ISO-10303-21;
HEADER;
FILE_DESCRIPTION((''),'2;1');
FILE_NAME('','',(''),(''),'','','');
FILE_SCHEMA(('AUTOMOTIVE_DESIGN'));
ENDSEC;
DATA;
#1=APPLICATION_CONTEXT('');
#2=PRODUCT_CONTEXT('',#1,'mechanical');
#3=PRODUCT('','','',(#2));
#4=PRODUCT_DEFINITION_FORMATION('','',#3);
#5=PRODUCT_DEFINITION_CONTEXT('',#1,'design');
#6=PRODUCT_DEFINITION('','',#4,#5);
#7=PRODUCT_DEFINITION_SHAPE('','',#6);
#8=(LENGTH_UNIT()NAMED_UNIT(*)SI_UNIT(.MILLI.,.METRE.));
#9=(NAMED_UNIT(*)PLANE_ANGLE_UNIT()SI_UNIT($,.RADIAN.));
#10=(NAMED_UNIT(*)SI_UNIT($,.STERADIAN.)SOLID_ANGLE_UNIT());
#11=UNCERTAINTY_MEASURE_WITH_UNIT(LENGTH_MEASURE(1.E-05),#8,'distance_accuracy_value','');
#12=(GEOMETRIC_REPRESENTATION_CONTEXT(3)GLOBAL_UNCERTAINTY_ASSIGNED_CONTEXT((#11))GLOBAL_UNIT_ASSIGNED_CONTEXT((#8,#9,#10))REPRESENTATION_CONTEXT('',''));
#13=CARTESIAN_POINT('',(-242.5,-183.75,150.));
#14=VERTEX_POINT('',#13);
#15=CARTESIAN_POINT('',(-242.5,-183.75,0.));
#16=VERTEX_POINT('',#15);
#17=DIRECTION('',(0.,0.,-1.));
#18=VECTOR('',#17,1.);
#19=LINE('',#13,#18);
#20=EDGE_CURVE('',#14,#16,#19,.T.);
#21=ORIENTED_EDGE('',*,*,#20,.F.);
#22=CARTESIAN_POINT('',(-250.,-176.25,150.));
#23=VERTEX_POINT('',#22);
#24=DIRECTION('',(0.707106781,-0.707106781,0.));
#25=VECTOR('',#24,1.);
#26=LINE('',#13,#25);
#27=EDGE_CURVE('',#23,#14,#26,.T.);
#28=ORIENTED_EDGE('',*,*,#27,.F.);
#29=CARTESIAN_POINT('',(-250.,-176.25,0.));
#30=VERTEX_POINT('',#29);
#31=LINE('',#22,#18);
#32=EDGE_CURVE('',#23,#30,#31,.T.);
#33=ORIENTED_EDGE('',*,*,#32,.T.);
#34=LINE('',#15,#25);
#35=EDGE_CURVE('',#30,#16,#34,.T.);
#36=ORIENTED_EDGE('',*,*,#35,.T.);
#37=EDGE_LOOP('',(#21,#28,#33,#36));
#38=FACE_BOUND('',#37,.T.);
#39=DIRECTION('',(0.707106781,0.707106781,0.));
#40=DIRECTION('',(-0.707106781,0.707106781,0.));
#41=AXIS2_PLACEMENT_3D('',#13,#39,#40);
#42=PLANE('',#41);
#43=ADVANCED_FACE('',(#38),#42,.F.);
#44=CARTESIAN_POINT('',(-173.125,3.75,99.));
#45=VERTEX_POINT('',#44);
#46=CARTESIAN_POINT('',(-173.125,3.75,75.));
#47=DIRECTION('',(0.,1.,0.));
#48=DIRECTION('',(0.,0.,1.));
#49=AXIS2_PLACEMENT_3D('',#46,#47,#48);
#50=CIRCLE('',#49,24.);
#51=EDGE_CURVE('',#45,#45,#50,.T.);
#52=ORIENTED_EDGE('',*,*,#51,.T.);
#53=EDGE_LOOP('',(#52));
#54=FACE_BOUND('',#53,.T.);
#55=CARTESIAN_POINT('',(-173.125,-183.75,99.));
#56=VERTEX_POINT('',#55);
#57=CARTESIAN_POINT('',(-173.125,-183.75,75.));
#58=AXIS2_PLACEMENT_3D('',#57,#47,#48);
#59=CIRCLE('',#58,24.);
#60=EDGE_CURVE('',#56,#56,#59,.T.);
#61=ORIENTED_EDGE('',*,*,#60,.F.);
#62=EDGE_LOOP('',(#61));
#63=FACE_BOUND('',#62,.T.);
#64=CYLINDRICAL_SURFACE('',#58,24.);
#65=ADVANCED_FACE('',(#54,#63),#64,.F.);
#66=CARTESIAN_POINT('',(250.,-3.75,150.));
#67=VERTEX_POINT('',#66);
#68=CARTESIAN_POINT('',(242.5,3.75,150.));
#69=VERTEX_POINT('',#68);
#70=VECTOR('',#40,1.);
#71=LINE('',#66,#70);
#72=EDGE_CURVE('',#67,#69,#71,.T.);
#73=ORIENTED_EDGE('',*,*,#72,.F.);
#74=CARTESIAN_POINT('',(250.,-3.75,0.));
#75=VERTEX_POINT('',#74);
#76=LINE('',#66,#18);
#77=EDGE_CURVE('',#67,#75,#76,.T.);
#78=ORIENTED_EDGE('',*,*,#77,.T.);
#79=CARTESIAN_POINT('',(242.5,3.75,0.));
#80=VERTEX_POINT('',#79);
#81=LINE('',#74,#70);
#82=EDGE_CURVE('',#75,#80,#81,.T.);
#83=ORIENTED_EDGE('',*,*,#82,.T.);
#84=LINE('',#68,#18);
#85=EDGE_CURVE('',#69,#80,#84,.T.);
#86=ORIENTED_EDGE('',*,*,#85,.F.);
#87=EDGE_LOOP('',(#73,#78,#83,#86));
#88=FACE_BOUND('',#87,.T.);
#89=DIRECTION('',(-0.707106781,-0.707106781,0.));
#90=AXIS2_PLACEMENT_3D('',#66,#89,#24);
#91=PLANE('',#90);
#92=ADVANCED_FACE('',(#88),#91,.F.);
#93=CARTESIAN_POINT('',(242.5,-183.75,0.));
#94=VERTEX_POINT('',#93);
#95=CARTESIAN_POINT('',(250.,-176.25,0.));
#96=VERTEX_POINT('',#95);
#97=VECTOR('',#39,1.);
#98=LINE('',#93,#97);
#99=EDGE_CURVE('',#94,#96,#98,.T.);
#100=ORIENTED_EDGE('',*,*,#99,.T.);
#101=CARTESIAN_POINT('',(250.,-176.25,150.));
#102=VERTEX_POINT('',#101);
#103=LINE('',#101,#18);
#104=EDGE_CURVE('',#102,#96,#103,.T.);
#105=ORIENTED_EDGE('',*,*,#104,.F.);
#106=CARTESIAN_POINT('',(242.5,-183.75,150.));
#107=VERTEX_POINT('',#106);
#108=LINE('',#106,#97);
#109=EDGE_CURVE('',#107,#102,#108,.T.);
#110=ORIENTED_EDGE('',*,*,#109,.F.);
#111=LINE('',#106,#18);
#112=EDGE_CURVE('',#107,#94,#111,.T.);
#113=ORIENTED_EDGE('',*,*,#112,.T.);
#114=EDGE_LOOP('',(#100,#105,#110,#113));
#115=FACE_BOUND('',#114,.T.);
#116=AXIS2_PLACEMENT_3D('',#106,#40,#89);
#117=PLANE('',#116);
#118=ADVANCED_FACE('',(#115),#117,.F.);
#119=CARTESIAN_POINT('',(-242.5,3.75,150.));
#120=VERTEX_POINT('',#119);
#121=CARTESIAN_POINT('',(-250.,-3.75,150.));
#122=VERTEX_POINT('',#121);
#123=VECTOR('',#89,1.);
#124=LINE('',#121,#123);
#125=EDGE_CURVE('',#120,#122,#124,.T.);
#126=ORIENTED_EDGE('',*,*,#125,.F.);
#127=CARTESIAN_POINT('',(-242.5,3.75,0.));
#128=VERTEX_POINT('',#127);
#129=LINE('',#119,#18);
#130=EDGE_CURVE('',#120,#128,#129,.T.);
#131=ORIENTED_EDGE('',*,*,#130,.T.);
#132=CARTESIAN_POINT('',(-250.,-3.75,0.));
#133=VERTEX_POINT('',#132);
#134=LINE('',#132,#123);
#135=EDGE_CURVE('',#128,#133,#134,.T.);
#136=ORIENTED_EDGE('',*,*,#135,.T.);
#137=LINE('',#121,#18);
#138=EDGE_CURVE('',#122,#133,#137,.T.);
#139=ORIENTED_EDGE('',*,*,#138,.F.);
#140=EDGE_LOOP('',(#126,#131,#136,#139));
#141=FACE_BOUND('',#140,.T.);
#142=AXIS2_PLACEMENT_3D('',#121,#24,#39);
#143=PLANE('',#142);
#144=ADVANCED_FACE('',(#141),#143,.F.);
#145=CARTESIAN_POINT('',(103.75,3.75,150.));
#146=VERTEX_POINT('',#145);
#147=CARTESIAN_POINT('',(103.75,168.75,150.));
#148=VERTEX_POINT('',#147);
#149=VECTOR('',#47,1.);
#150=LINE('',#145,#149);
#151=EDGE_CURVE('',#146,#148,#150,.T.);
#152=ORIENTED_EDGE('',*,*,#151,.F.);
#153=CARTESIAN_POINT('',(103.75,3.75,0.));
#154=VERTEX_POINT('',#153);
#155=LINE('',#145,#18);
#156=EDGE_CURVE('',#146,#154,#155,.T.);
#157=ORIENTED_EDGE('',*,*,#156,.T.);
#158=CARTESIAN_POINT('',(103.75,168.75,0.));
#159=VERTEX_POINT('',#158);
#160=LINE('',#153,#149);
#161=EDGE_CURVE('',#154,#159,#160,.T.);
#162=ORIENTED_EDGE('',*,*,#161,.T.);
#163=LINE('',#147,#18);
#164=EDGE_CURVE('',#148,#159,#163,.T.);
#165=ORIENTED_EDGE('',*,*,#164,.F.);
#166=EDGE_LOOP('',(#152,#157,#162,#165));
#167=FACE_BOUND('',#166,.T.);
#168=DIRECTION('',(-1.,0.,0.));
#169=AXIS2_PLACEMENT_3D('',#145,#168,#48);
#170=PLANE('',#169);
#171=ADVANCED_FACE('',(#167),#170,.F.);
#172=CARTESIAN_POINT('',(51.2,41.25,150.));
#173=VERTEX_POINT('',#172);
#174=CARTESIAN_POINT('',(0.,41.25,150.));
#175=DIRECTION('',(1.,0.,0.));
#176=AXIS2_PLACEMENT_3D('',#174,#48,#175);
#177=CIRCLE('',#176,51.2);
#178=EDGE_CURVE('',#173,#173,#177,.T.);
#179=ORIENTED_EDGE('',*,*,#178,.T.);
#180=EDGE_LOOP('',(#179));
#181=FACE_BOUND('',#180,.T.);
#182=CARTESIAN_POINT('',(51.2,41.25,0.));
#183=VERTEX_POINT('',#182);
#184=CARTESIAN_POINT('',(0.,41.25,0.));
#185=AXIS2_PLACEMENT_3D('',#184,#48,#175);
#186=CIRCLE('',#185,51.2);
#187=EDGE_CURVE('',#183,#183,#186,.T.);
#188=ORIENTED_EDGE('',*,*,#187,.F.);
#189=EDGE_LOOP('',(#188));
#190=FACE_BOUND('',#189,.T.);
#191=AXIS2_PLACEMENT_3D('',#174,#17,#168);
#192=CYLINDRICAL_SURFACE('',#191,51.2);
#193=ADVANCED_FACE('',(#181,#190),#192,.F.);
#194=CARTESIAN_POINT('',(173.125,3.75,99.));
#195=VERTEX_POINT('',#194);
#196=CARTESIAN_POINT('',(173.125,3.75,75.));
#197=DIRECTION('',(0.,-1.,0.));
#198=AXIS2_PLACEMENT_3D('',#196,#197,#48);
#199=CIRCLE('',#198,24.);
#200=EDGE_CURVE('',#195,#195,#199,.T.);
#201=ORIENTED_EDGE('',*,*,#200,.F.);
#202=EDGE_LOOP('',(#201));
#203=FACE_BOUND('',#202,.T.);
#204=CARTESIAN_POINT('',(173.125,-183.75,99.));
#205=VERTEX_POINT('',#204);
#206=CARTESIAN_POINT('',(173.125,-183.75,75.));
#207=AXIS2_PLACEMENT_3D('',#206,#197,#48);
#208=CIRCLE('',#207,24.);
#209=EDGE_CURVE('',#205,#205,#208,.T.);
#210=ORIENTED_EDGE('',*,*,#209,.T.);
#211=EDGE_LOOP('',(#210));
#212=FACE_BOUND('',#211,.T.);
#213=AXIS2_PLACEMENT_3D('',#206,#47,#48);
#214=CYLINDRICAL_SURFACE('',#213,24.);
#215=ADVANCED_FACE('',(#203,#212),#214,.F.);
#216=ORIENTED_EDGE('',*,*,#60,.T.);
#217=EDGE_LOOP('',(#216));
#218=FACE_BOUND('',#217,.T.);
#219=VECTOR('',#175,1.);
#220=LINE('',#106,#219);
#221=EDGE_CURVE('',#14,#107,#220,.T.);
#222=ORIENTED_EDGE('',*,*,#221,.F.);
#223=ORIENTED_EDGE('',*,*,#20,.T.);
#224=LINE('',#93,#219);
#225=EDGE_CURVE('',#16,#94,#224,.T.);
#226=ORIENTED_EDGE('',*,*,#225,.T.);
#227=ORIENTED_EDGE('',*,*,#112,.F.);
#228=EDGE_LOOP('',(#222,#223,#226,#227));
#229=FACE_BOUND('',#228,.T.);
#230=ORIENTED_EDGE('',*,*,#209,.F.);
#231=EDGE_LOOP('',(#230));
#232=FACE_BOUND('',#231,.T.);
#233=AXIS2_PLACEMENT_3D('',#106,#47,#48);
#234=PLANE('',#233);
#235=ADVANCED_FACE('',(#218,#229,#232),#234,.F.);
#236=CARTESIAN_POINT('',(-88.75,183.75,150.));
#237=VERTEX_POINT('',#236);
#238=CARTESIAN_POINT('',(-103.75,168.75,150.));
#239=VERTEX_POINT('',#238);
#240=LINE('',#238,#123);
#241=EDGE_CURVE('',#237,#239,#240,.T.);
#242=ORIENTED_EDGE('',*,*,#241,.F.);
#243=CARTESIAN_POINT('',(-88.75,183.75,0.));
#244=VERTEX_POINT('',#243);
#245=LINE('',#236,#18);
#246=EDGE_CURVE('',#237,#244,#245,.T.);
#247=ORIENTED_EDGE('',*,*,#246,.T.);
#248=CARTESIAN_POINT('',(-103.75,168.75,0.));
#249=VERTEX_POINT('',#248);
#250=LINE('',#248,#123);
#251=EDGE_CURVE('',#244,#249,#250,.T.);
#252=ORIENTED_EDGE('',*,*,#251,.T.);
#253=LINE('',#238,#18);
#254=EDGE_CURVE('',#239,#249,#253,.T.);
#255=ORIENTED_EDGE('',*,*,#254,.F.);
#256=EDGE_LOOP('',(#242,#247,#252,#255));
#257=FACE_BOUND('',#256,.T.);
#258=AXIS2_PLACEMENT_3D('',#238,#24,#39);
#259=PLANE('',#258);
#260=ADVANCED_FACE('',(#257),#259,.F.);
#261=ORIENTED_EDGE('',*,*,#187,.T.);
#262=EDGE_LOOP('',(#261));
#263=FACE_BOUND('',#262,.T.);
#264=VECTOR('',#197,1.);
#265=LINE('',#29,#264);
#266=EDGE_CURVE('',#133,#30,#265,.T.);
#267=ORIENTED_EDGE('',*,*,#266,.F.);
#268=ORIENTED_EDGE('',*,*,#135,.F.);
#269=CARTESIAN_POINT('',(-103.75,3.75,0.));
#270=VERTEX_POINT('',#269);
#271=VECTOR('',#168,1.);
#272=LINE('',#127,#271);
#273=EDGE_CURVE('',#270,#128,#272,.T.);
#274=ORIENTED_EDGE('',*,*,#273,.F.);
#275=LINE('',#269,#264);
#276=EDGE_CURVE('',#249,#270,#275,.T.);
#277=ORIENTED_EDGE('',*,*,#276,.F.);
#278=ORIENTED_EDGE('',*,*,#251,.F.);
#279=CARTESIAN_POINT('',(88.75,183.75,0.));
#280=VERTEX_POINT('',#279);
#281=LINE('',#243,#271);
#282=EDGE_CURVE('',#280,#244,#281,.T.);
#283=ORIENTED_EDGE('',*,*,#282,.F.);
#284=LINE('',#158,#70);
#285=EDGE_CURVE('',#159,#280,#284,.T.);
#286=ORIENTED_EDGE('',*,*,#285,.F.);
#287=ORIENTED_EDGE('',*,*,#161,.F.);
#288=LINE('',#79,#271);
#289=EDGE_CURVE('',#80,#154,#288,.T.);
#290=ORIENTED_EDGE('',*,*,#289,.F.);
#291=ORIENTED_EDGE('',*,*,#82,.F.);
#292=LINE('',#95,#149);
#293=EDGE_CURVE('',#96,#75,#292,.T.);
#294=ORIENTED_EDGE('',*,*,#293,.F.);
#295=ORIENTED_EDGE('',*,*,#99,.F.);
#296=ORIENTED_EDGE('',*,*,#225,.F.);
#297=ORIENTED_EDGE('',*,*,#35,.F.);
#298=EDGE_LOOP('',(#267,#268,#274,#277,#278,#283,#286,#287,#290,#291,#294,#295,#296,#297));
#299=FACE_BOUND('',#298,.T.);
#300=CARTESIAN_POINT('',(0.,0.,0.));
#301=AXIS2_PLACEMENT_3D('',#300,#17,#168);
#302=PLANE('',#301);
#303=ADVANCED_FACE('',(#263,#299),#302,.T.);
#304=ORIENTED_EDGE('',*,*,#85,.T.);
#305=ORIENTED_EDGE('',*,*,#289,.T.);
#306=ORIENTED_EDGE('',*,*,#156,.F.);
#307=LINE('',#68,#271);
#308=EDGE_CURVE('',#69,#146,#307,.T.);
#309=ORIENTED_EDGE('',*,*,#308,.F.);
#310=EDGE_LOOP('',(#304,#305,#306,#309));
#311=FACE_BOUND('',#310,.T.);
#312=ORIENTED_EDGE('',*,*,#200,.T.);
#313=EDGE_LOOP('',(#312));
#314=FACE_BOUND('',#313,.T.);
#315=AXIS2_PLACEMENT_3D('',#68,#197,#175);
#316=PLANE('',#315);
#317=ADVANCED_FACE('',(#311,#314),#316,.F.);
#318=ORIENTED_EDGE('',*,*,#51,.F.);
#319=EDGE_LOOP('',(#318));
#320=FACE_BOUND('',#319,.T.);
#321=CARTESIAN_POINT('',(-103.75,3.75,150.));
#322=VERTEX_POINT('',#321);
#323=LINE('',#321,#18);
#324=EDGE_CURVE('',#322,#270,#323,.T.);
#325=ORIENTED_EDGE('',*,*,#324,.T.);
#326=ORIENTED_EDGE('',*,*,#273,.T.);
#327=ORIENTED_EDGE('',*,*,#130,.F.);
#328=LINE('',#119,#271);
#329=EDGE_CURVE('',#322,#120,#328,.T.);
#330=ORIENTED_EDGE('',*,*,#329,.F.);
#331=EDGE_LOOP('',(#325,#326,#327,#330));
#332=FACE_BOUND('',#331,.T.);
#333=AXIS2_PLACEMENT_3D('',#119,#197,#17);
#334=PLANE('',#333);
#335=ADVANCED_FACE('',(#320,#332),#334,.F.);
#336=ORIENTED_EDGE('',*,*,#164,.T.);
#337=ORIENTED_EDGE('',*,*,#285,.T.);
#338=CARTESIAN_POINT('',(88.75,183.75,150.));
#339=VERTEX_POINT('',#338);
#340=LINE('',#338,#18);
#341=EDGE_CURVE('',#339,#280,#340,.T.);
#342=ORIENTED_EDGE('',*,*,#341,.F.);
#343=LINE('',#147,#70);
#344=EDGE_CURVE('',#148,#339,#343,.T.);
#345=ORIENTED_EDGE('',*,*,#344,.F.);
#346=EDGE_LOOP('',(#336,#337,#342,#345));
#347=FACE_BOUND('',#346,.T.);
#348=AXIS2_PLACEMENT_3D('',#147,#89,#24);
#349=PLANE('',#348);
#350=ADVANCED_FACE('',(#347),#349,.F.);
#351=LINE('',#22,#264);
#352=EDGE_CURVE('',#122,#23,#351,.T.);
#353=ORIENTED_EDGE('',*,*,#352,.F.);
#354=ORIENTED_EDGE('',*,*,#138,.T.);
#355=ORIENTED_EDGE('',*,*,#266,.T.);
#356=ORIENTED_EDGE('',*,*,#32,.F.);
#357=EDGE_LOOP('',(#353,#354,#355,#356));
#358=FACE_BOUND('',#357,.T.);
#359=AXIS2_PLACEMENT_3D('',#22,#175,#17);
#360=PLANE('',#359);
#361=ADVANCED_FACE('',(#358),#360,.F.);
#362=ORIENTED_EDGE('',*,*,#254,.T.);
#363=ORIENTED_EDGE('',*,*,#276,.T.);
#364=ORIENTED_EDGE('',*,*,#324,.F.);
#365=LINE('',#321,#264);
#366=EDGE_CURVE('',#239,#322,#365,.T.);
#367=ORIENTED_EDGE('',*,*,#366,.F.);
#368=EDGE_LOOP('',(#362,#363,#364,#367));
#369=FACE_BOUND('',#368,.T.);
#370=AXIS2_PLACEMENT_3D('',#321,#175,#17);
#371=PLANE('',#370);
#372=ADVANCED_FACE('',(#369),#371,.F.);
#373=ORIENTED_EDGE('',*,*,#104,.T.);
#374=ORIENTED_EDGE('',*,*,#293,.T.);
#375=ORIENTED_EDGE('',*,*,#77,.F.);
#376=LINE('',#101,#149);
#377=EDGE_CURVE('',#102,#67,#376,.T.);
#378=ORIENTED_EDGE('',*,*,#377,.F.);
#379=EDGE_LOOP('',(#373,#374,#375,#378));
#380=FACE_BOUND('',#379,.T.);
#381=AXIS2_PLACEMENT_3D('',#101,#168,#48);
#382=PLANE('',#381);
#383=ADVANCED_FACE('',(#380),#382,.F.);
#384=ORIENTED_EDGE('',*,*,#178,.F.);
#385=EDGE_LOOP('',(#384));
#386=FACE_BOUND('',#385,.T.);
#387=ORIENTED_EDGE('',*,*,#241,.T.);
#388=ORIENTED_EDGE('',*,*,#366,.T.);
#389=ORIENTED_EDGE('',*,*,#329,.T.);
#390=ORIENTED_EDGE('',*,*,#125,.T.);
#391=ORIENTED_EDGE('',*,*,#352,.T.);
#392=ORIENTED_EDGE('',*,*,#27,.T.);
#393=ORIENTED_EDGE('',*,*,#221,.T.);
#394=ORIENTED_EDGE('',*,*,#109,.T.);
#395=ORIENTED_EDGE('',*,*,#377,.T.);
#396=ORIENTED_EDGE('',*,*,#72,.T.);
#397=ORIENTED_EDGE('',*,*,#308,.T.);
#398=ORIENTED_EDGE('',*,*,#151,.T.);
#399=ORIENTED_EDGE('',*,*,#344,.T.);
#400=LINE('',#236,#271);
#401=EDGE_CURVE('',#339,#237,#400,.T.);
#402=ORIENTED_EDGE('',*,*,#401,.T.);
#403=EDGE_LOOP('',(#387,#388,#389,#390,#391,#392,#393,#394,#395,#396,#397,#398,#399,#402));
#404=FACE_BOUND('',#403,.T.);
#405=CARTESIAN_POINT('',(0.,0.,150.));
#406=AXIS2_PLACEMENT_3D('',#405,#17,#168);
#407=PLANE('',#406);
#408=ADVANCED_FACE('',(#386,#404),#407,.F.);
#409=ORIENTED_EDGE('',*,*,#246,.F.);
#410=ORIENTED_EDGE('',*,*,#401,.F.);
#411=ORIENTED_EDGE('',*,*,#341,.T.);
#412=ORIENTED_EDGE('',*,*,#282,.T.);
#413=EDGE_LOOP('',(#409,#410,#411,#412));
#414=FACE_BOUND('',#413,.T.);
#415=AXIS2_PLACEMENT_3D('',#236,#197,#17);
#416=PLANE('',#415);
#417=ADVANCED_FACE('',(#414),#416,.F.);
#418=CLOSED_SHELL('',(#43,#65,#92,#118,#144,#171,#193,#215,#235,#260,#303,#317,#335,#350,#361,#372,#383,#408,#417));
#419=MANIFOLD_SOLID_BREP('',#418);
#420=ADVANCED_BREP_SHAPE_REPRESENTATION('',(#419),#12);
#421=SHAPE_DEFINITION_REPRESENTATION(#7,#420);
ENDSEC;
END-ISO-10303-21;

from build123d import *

# Parameters (mm, degrees)
SKETCH6_R           = 51.2
BOSS_EXTRUDE4_DEPTH = 150
SKETCH7_R           = 24
CUT_EXTRUDE1_DEPTH  = 188.5


with BuildPart() as part:
    # Sketch6 → Boss-Extrude4 (new body)
    with BuildSketch(Plane.XY):
        Polygon((-250, -3.75), (-242.5, 3.75), (-103.75, 3.75), (-103.75, 168.75), (-88.75, 183.75), (88.75, 183.75), (103.75, 168.75), (103.75, 3.75), (242.5, 3.75), (250, -3.75), (250, -176.25), (242.5, -183.75), (-242.5, -183.75), (-250, -176.25), align=None)
        with Locations((0, 41.25)):
            Circle(SKETCH6_R, mode=Mode.SUBTRACT)
    extrude(amount=BOSS_EXTRUDE4_DEPTH)

    # Sketch7 → Cut-Extrude1 (cut, through all)
    with BuildSketch(Plane(origin=(0, 3.75, 0), x_dir=(1, 0, 0), z_dir=(0, 1, 0))):
        with Locations((-173.125, -75)):
            Circle(SKETCH7_R)
    cut_extrude1 = extrude(amount=-CUT_EXTRUDE1_DEPTH, mode=Mode.SUBTRACT)

    # Mirror1: Cut-Extrude1 across plane
    add(cut_extrude1.mirror(Plane(origin=(0, 0, 0), x_dir=(0, 0, 1), z_dir=(1, 0, 0))), mode=Mode.SUBTRACT)


solid = part.part
